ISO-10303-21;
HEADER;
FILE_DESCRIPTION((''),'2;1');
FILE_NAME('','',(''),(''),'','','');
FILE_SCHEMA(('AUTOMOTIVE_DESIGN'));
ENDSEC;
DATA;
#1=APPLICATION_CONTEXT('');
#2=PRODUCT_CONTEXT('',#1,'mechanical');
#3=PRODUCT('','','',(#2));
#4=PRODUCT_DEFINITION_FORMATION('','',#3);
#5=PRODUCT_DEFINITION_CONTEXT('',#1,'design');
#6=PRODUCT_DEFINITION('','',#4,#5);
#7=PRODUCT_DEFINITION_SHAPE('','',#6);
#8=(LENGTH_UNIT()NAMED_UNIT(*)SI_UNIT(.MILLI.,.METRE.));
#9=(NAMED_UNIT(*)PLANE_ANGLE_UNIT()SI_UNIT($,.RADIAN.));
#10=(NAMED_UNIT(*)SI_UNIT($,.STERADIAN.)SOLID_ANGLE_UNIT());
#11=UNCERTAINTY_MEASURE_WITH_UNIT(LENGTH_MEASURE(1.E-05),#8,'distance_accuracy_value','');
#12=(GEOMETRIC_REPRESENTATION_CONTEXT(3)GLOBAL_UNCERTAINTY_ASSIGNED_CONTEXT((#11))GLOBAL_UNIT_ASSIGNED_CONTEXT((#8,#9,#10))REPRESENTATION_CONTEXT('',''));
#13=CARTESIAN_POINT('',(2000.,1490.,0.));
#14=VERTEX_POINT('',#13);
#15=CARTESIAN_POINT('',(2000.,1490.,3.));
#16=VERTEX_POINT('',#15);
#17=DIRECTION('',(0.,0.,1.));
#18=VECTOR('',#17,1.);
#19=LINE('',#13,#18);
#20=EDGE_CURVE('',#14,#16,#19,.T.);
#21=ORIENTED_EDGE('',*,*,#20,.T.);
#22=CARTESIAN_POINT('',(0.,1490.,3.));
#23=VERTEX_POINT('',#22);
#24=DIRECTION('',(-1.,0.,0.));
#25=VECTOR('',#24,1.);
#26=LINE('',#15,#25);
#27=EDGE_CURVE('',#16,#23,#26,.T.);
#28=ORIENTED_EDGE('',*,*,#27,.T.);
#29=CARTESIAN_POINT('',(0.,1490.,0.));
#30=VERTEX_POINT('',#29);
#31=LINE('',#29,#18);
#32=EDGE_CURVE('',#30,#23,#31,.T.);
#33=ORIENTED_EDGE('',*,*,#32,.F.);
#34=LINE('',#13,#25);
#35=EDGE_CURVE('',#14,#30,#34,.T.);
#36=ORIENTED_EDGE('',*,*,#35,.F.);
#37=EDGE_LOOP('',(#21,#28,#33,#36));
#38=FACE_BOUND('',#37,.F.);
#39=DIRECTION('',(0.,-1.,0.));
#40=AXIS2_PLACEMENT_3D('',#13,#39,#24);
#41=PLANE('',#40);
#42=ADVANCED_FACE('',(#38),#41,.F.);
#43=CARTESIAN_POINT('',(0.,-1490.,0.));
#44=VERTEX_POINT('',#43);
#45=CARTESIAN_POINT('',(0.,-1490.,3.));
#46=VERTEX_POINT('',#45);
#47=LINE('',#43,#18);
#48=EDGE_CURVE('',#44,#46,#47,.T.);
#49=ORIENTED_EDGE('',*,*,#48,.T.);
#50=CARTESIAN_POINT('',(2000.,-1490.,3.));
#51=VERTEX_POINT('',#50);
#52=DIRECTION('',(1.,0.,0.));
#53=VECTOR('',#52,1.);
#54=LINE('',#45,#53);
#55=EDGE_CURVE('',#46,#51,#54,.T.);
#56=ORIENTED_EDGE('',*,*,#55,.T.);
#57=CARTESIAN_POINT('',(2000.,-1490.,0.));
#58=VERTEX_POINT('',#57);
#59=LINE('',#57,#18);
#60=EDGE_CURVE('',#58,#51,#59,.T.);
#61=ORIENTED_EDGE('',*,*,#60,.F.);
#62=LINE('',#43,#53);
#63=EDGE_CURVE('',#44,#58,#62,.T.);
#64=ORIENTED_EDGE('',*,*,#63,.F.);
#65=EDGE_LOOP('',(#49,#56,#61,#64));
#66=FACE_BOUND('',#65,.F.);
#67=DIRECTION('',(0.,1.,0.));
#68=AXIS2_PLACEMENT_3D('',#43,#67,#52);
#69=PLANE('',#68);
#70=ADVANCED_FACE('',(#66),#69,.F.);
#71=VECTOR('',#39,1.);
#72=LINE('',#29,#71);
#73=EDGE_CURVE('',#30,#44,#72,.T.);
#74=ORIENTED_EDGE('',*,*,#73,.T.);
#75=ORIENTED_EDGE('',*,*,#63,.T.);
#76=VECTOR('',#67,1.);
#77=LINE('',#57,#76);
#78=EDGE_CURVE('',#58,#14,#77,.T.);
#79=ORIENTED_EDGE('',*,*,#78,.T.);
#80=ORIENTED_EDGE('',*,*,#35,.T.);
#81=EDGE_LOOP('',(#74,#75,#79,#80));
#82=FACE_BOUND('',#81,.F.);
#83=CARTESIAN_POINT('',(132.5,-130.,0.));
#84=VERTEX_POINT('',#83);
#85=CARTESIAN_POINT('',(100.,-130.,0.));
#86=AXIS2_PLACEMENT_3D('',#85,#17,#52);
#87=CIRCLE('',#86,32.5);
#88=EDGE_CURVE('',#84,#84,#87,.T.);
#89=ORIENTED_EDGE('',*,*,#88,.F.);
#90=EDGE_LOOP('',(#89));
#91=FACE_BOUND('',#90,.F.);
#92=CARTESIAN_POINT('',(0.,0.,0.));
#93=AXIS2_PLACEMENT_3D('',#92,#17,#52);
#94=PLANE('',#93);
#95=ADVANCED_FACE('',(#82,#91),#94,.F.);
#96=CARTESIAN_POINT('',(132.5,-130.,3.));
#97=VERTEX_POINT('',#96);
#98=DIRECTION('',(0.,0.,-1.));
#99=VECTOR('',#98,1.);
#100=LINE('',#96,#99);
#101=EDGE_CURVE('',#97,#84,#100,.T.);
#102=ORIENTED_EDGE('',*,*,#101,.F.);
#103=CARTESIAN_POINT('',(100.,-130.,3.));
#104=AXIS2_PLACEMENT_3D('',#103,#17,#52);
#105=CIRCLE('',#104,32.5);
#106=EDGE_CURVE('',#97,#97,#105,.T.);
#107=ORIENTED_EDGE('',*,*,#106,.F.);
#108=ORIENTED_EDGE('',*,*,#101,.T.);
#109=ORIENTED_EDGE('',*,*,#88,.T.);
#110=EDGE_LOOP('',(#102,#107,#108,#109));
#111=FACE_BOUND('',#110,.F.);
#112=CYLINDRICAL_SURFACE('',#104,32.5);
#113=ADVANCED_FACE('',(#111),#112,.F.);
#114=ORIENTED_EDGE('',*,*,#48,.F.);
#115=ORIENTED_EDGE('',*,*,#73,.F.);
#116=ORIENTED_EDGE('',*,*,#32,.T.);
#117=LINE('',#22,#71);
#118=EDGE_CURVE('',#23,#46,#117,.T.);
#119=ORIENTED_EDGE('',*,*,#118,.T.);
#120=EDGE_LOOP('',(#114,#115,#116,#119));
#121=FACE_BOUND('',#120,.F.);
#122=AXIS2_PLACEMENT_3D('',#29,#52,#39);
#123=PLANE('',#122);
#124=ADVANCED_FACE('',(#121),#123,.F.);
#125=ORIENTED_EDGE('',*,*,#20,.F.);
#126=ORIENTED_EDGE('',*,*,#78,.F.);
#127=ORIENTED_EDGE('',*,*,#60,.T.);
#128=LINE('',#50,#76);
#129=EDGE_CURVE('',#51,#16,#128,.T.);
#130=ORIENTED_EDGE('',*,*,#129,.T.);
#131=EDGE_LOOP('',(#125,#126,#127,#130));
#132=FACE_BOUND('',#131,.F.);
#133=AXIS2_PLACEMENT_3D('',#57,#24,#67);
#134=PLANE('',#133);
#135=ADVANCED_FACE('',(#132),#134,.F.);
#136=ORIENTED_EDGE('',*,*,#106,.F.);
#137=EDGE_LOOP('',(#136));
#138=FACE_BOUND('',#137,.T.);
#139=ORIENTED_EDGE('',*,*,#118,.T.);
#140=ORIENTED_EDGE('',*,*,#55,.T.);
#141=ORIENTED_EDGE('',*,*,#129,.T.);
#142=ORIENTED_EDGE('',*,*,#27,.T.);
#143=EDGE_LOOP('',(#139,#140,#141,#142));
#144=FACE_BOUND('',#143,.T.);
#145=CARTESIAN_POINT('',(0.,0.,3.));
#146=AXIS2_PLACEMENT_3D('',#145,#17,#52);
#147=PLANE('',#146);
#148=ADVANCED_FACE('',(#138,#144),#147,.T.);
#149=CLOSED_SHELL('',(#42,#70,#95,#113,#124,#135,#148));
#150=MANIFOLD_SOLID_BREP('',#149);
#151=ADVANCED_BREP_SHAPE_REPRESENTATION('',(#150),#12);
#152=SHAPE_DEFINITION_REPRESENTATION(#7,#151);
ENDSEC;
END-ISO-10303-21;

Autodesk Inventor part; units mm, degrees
ref_plane "YZ Plane" through (0, 0, 0) normal (1, 0, 0) x (0, 1, 0)
ref_plane "XZ Plane" through (0, 0, 0) normal (0, 1, 0) x (-1, 0, 0)
ref_plane "XY Plane" through (0, 0, 0) normal (0, 0, 1) x (1, 0, 0)
sketch "Sketch1" plane through (0, 0, 0) normal (0, 0, 1) x (1, 0, 0)
  line L0 (0, -1490) -> (2000, -1490)
  line L1 (2000, -1490) -> (2000, 1490)
  line L2 (2000, 1490) -> (0, 1490)
  line L3 (0, 1490) -> (0, -1490)
  point P0 (0, 0)
  point P1 (0, 0)
  dimension "d0" = 2000
  dimension "d1" = 2980
extrude "Plate1" add sketch "Sketch1" along normal blind 3
sketch "Sketch6" plane through (0, 0, 3) normal (0, 0, 1) x (1, 0, 0)
  circle A0 centre (100, -130) radius 32.5
  line L0 (0, 1490) -> (2000, 1490) projected
  line L1 (2000, 1490) -> (2000, -1490) projected
  line L2 (0, -1490) -> (0, 1490) projected
  point P0 (0, 0)
  point P1 (0, 0)
  dimension "d36" = 65
  dimension "d37" = 1620
  dimension "d41" = 100
extrude "Extrusion2" cut sketch "Sketch6" against normal up to surface (3 mm away)
equation "\"d2\" = Thickness"
equation "\"BendReliefWidth\" = Thickness"
equation "\"BendReliefDepth\" = 0.5 * Thickness"
equation "\"CornerReliefSize\" = 4 * Thickness"
equation "\"MinimumRemnant\" = 2 * Thickness"
equation "\"TransitionRadius\" = BendRadius"
equation "\"JacobiRadiusSize\" = BendRadius"
equation "\"GapSize\" = Thickness"
equation "\"Thickness\" = 3"
equation "\"BendRadius\" = 5"
properties part number "BSH 051 sheet in" material "09g2s"
